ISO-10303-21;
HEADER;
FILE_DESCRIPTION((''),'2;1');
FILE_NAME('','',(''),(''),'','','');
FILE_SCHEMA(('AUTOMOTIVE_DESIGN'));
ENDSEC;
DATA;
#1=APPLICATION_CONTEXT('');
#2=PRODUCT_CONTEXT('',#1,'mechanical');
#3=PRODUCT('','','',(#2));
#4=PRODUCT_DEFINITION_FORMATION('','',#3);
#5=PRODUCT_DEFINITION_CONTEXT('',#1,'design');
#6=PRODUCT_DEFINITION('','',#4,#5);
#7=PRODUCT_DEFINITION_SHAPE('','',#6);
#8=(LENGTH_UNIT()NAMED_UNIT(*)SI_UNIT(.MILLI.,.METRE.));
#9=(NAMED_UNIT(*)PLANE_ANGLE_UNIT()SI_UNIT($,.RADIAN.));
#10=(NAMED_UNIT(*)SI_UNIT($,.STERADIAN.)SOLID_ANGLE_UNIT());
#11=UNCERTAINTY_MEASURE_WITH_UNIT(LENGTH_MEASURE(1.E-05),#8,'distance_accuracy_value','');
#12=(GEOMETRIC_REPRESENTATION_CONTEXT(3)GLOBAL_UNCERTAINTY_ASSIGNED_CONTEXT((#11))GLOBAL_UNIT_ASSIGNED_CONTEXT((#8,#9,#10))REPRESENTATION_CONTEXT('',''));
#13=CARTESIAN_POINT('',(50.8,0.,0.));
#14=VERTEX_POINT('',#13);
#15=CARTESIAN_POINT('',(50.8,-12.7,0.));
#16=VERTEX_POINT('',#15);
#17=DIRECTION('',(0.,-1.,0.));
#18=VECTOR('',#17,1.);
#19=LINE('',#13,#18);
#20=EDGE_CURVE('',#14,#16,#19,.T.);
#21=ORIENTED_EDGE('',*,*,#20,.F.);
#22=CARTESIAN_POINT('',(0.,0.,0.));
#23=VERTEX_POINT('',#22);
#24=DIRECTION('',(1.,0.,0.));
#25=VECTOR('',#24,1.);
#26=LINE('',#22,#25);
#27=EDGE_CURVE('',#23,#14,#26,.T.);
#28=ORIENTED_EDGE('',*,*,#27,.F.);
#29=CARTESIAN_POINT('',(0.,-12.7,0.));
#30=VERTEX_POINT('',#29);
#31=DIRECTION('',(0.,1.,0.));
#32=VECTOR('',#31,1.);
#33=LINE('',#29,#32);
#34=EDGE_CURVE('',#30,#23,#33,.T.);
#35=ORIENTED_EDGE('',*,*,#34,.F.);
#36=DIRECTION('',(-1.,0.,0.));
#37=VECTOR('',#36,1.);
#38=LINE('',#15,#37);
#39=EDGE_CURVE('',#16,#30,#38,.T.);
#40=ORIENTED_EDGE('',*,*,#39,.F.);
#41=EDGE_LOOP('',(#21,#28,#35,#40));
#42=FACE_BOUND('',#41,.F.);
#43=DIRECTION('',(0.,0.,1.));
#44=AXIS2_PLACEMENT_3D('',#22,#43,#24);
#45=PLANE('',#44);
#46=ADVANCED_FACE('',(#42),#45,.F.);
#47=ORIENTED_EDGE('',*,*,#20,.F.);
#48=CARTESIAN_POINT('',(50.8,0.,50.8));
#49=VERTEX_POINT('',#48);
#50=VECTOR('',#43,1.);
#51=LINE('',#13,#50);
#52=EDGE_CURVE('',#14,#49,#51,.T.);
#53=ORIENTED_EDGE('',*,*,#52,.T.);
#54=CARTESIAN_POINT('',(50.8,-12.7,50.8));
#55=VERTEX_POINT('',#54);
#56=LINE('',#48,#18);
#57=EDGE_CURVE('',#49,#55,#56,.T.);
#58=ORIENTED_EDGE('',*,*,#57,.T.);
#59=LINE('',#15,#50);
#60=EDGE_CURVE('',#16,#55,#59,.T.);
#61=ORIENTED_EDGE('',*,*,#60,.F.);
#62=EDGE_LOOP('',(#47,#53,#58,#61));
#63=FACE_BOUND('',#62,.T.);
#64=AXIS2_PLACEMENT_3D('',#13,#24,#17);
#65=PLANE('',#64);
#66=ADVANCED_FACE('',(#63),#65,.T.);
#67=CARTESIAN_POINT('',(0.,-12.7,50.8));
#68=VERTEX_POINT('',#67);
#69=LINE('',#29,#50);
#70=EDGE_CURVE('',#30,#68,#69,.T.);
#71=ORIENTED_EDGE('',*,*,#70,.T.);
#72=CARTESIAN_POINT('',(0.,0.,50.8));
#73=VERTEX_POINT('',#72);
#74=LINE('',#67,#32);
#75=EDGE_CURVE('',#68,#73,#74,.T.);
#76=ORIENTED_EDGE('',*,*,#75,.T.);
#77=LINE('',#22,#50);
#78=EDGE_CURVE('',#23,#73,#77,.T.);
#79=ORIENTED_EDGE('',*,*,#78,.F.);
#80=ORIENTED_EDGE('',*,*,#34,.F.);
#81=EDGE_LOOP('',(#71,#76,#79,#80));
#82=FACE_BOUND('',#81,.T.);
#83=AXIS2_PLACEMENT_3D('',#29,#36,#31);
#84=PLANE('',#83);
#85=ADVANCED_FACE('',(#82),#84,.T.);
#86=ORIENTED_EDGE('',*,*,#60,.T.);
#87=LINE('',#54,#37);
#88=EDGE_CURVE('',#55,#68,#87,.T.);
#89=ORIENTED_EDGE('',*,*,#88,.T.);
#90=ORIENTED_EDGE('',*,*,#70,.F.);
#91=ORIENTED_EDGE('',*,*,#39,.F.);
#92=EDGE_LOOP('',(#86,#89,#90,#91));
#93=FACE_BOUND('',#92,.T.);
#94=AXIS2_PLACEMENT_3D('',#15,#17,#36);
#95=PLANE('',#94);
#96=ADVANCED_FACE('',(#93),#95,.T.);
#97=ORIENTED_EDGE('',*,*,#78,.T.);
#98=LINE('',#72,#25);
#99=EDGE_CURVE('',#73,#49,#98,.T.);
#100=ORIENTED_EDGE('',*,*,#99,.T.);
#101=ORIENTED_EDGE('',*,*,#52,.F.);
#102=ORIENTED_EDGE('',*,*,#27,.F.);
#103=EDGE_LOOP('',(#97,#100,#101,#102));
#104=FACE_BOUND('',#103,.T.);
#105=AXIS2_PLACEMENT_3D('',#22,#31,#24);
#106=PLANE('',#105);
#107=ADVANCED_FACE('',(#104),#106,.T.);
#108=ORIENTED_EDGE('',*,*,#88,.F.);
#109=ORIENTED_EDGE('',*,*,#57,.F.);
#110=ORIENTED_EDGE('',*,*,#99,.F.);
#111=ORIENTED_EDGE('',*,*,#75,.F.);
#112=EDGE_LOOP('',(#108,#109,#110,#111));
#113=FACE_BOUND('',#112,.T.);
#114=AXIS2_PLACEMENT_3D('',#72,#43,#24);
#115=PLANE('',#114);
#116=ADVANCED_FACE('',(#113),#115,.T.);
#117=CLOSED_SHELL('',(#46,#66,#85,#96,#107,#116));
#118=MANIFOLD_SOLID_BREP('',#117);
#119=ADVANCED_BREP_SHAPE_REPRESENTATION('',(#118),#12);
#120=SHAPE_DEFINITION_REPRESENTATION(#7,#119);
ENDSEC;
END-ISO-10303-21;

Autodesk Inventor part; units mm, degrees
ref_plane "YZ Plane" through (0, 0, 0) normal (1, 0, 0) x (0, 1, 0)
ref_plane "XZ Plane" through (0, 0, 0) normal (0, 1, 0) x (-1, 0, 0)
ref_plane "XY Plane" through (0, 0, 0) normal (0, 0, 1) x (1, 0, 0)
sketch "Sketch1" plane through (0, 0, 0) normal (0, 0, 1) x (1, 0, 0)
  line L0 (0, 0) -> (50.8, 0)
  line L1 (50.8, 0) -> (50.8, -12.7)
  line L2 (50.8, -12.7) -> (0, -12.7)
  line L3 (0, -12.7) -> (0, 0)
  dimension "d0" = 50.8
  dimension "d1" = 12.7
extrude "Extrusion1" add sketch "Sketch1" along normal blind 50.8
properties part number "FoldSlidePart2"
